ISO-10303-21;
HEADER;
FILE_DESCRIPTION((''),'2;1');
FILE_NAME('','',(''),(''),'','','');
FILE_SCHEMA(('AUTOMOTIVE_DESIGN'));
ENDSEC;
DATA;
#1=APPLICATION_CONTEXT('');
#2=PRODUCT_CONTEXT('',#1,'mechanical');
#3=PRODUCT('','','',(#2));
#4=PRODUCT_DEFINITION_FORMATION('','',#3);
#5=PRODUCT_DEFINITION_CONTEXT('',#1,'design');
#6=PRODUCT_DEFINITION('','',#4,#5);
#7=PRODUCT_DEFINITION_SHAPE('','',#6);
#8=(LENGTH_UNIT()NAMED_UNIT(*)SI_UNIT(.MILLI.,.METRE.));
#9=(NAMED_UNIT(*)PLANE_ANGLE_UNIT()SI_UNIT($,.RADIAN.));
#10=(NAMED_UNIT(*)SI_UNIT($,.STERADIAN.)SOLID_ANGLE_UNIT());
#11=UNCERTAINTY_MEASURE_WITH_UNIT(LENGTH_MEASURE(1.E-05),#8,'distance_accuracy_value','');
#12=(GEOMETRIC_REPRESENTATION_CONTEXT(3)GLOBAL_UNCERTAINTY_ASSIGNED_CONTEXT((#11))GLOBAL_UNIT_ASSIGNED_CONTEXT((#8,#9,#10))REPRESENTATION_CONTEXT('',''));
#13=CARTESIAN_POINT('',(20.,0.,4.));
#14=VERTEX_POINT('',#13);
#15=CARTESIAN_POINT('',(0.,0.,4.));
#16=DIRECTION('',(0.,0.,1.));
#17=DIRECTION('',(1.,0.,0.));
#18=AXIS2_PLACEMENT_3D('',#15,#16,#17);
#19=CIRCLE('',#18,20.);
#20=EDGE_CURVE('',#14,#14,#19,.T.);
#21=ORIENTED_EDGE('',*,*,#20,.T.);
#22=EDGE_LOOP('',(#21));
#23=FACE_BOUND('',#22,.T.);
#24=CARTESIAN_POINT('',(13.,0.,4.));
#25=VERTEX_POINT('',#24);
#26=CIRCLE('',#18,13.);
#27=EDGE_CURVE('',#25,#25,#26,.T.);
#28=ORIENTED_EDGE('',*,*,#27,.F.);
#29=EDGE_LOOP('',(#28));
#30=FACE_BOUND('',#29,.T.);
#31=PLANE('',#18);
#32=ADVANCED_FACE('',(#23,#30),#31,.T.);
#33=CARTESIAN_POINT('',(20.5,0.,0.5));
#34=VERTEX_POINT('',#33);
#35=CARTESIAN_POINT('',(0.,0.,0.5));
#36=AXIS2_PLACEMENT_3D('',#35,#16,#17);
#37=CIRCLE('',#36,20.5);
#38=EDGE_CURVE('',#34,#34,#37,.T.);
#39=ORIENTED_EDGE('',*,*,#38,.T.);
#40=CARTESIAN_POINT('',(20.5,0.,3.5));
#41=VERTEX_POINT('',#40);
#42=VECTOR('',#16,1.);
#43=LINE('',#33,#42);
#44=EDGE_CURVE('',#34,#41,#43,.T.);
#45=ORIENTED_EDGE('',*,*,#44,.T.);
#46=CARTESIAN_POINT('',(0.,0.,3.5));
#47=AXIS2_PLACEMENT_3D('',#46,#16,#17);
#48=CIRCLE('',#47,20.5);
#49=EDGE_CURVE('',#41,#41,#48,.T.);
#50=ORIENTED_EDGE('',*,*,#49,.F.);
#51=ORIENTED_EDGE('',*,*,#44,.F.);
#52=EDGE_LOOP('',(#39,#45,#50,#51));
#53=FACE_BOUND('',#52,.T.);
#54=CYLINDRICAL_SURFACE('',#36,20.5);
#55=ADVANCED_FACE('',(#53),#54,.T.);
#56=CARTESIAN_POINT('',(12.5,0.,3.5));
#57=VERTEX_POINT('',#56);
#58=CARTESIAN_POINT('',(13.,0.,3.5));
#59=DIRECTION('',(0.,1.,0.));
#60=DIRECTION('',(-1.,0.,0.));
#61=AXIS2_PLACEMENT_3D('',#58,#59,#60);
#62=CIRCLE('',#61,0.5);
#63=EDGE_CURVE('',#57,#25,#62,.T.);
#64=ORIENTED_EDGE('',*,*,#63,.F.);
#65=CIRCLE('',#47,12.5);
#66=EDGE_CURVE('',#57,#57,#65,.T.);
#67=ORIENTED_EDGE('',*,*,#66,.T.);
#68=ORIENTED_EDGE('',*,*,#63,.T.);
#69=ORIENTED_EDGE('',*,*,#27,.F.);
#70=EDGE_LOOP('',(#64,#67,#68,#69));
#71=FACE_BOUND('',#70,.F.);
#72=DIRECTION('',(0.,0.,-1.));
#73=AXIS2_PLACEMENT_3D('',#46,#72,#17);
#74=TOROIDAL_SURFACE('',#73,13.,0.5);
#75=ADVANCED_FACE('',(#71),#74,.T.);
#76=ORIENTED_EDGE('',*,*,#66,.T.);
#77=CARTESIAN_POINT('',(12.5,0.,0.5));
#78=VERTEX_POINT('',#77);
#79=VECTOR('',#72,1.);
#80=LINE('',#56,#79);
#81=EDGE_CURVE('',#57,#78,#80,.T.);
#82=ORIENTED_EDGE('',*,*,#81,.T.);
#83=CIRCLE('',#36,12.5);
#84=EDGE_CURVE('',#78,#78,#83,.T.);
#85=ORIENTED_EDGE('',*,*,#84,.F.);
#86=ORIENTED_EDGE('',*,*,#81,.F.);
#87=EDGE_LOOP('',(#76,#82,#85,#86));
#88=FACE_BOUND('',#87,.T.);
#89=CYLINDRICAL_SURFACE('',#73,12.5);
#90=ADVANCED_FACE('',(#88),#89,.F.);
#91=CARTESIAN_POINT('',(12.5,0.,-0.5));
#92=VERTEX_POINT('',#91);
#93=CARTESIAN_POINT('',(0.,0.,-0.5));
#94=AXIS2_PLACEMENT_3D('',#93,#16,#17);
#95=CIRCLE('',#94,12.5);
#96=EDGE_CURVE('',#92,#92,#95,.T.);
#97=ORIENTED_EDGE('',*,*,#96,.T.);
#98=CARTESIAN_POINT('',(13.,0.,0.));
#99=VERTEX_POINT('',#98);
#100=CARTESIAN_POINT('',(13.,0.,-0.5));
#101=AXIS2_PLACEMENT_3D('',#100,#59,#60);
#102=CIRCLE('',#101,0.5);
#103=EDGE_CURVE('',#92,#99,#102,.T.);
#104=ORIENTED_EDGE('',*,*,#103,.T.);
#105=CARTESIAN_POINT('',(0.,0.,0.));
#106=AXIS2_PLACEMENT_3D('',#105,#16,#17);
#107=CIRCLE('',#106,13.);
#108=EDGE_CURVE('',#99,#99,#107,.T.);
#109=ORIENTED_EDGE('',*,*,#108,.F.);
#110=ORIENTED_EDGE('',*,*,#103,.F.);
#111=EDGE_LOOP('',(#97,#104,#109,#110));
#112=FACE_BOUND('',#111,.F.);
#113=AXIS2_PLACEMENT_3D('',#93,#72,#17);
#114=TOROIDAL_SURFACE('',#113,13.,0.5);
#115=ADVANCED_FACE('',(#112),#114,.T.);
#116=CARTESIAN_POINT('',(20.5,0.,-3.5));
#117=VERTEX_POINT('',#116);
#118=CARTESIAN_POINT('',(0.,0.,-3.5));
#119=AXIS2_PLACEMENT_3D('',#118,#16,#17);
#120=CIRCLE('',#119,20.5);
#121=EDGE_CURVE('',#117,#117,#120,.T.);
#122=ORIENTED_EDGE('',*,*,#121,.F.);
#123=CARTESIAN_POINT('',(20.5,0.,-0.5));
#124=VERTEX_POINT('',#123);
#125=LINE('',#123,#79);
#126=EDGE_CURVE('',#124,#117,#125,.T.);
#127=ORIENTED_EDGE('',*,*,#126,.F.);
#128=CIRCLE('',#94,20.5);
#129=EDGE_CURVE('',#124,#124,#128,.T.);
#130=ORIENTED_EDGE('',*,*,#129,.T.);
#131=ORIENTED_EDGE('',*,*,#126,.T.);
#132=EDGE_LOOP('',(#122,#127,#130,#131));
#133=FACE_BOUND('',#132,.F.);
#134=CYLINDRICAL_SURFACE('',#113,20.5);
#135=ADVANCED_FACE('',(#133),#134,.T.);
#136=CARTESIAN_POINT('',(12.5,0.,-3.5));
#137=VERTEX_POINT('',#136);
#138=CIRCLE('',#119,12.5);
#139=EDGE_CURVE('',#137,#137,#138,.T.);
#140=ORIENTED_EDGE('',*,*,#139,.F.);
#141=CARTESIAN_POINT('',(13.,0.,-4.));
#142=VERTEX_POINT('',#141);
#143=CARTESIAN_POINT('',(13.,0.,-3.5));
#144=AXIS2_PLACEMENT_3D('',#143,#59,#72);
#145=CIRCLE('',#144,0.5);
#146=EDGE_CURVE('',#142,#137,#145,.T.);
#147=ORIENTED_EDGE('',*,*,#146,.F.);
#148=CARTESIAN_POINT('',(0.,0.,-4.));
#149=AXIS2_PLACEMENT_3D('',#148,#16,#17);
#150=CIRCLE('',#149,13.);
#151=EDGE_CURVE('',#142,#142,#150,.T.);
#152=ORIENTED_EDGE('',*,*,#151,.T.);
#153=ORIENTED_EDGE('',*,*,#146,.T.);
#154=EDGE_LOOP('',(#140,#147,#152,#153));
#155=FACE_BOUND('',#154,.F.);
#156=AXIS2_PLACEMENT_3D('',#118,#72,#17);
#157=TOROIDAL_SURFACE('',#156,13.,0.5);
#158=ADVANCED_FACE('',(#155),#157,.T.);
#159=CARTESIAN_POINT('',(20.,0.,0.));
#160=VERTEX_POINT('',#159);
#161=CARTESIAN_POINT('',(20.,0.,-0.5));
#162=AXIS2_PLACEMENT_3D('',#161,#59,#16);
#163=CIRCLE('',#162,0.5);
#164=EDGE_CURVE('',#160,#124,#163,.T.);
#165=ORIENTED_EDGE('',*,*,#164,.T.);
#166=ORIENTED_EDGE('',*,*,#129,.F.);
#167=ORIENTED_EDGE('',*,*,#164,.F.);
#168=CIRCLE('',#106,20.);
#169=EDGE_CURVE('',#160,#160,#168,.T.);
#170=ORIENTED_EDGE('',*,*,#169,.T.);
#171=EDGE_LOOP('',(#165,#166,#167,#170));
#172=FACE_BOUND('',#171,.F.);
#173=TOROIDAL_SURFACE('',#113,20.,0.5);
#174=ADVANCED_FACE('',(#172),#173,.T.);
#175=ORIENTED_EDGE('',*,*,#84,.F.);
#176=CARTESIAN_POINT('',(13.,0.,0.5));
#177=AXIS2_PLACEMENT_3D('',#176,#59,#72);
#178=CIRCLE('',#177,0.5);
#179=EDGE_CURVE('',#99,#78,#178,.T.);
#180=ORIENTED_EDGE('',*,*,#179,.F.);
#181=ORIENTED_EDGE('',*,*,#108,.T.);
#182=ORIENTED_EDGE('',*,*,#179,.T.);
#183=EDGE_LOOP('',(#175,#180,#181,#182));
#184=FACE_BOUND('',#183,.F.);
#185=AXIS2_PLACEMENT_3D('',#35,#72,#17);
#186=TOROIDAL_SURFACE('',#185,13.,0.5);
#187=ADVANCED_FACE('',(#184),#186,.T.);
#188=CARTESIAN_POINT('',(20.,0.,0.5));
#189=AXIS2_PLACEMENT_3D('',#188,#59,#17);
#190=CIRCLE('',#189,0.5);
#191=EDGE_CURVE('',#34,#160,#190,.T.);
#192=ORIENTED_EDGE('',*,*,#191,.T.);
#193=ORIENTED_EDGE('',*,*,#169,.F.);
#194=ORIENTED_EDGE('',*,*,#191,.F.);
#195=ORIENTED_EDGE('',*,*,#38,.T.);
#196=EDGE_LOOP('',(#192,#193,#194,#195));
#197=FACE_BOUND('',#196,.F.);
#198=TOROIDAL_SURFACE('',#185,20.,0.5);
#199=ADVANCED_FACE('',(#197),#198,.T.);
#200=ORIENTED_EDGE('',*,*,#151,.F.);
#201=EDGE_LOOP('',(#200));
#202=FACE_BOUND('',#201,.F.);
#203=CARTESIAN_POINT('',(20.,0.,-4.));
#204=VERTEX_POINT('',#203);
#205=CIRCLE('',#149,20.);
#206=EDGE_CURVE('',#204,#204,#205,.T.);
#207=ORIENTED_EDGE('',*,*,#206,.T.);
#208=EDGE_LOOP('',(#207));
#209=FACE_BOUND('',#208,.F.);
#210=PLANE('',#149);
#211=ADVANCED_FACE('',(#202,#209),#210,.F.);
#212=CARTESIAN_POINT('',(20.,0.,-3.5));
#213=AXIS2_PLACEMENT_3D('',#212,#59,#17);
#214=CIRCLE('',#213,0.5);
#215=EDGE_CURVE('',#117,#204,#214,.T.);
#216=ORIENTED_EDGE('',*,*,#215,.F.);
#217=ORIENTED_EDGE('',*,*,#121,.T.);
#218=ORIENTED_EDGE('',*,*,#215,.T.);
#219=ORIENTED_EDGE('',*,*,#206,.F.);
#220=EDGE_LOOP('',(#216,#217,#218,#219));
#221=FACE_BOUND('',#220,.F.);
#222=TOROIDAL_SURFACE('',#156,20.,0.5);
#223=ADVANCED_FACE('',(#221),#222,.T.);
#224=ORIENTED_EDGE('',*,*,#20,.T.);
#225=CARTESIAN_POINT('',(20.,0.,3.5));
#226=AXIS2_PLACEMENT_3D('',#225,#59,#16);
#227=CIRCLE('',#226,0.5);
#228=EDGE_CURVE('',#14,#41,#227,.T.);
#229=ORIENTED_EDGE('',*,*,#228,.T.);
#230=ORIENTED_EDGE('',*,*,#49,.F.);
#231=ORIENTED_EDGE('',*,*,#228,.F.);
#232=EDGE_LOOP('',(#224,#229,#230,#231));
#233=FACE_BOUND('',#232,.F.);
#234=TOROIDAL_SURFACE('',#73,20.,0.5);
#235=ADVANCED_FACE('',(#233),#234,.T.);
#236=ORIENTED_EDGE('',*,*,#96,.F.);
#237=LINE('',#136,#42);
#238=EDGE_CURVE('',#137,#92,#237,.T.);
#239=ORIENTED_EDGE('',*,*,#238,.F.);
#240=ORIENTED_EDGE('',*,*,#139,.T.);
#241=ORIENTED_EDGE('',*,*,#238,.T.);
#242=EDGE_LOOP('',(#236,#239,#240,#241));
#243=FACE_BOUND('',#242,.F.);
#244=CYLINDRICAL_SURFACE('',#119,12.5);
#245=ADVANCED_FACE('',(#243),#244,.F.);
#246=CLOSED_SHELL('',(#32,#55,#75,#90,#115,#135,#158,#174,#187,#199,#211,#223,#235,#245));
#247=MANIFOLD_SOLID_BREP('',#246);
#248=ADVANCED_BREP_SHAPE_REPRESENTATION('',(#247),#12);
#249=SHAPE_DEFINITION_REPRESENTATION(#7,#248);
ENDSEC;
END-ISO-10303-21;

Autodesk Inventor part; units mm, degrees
ref_plane "YZ Plane" through (0, 0, 0) normal (1, 0, 0) x (0, 1, 0)
ref_plane "XZ Plane" through (0, 0, 0) normal (0, 1, 0) x (-1, 0, 0)
ref_plane "XY Plane" through (0, 0, 0) normal (0, 0, 1) x (1, 0, 0)
sketch "スケッチ1" plane through (0, 0, 0) normal (0, 1, 0) x (-1, 0, 0)
  line L0 (-20, 4) -> (-13, 4)
  line L1 (-12.5, 3.5) -> (-12.5, 0.5)
  line L2 (-13, 0) -> (-20, 0) construction
  line L3 (-20.5, 0.5) -> (-20.5, 3.5)
  line L4 (-20.5, 4) -> (-12.5, 0) construction
  line L5 (-12.5, 4) -> (-20.5, 0) construction
  arc A0 (-20, 4) -> (-20.5, 3.5) centre (-20, 3.5) ccw
  arc A1 (-20.5, 0.5) -> (-20, 0) centre (-20, 0.5) ccw
  arc A2 (-13, 0) -> (-12.5, 0.5) centre (-13, 0.5) ccw
  arc A3 (-12.5, 3.5) -> (-13, 4) centre (-13, 3.5) ccw
  line L6 (-20, -4) -> (-13, -4)
  line L7 (-12.5, -3.5) -> (-12.5, -0.5)
  line L8 (-20.5, -0.5) -> (-20.5, -3.5)
  arc A4 (-20, 0) -> (-20.5, -0.5) centre (-20, -0.5) ccw
  arc A5 (-12.5, -0.5) -> (-13, 0) centre (-13, -0.5) ccw
  arc A6 (-13, -4) -> (-12.5, -3.5) centre (-13, -3.5) ccw
  arc A7 (-20.5, -3.5) -> (-20, -4) centre (-20, -3.5) ccw
  line L9 (0, -5.745) -> (0, 5.745) projected
  point P0 (0, 0)
  point P1 (-16.5, 2)
  dimension "d0" = 0.5
  dimension "d1" = 8
  dimension "d2" = 25
  dimension "d3" = 41
revolve "回転1" add sketch "スケッチ1" angle 360 about axis through (0, 0, -10) along (0, 0, 1)
properties part number "RE2508UUC1" material "ステンレス鋼 AISI 304"
